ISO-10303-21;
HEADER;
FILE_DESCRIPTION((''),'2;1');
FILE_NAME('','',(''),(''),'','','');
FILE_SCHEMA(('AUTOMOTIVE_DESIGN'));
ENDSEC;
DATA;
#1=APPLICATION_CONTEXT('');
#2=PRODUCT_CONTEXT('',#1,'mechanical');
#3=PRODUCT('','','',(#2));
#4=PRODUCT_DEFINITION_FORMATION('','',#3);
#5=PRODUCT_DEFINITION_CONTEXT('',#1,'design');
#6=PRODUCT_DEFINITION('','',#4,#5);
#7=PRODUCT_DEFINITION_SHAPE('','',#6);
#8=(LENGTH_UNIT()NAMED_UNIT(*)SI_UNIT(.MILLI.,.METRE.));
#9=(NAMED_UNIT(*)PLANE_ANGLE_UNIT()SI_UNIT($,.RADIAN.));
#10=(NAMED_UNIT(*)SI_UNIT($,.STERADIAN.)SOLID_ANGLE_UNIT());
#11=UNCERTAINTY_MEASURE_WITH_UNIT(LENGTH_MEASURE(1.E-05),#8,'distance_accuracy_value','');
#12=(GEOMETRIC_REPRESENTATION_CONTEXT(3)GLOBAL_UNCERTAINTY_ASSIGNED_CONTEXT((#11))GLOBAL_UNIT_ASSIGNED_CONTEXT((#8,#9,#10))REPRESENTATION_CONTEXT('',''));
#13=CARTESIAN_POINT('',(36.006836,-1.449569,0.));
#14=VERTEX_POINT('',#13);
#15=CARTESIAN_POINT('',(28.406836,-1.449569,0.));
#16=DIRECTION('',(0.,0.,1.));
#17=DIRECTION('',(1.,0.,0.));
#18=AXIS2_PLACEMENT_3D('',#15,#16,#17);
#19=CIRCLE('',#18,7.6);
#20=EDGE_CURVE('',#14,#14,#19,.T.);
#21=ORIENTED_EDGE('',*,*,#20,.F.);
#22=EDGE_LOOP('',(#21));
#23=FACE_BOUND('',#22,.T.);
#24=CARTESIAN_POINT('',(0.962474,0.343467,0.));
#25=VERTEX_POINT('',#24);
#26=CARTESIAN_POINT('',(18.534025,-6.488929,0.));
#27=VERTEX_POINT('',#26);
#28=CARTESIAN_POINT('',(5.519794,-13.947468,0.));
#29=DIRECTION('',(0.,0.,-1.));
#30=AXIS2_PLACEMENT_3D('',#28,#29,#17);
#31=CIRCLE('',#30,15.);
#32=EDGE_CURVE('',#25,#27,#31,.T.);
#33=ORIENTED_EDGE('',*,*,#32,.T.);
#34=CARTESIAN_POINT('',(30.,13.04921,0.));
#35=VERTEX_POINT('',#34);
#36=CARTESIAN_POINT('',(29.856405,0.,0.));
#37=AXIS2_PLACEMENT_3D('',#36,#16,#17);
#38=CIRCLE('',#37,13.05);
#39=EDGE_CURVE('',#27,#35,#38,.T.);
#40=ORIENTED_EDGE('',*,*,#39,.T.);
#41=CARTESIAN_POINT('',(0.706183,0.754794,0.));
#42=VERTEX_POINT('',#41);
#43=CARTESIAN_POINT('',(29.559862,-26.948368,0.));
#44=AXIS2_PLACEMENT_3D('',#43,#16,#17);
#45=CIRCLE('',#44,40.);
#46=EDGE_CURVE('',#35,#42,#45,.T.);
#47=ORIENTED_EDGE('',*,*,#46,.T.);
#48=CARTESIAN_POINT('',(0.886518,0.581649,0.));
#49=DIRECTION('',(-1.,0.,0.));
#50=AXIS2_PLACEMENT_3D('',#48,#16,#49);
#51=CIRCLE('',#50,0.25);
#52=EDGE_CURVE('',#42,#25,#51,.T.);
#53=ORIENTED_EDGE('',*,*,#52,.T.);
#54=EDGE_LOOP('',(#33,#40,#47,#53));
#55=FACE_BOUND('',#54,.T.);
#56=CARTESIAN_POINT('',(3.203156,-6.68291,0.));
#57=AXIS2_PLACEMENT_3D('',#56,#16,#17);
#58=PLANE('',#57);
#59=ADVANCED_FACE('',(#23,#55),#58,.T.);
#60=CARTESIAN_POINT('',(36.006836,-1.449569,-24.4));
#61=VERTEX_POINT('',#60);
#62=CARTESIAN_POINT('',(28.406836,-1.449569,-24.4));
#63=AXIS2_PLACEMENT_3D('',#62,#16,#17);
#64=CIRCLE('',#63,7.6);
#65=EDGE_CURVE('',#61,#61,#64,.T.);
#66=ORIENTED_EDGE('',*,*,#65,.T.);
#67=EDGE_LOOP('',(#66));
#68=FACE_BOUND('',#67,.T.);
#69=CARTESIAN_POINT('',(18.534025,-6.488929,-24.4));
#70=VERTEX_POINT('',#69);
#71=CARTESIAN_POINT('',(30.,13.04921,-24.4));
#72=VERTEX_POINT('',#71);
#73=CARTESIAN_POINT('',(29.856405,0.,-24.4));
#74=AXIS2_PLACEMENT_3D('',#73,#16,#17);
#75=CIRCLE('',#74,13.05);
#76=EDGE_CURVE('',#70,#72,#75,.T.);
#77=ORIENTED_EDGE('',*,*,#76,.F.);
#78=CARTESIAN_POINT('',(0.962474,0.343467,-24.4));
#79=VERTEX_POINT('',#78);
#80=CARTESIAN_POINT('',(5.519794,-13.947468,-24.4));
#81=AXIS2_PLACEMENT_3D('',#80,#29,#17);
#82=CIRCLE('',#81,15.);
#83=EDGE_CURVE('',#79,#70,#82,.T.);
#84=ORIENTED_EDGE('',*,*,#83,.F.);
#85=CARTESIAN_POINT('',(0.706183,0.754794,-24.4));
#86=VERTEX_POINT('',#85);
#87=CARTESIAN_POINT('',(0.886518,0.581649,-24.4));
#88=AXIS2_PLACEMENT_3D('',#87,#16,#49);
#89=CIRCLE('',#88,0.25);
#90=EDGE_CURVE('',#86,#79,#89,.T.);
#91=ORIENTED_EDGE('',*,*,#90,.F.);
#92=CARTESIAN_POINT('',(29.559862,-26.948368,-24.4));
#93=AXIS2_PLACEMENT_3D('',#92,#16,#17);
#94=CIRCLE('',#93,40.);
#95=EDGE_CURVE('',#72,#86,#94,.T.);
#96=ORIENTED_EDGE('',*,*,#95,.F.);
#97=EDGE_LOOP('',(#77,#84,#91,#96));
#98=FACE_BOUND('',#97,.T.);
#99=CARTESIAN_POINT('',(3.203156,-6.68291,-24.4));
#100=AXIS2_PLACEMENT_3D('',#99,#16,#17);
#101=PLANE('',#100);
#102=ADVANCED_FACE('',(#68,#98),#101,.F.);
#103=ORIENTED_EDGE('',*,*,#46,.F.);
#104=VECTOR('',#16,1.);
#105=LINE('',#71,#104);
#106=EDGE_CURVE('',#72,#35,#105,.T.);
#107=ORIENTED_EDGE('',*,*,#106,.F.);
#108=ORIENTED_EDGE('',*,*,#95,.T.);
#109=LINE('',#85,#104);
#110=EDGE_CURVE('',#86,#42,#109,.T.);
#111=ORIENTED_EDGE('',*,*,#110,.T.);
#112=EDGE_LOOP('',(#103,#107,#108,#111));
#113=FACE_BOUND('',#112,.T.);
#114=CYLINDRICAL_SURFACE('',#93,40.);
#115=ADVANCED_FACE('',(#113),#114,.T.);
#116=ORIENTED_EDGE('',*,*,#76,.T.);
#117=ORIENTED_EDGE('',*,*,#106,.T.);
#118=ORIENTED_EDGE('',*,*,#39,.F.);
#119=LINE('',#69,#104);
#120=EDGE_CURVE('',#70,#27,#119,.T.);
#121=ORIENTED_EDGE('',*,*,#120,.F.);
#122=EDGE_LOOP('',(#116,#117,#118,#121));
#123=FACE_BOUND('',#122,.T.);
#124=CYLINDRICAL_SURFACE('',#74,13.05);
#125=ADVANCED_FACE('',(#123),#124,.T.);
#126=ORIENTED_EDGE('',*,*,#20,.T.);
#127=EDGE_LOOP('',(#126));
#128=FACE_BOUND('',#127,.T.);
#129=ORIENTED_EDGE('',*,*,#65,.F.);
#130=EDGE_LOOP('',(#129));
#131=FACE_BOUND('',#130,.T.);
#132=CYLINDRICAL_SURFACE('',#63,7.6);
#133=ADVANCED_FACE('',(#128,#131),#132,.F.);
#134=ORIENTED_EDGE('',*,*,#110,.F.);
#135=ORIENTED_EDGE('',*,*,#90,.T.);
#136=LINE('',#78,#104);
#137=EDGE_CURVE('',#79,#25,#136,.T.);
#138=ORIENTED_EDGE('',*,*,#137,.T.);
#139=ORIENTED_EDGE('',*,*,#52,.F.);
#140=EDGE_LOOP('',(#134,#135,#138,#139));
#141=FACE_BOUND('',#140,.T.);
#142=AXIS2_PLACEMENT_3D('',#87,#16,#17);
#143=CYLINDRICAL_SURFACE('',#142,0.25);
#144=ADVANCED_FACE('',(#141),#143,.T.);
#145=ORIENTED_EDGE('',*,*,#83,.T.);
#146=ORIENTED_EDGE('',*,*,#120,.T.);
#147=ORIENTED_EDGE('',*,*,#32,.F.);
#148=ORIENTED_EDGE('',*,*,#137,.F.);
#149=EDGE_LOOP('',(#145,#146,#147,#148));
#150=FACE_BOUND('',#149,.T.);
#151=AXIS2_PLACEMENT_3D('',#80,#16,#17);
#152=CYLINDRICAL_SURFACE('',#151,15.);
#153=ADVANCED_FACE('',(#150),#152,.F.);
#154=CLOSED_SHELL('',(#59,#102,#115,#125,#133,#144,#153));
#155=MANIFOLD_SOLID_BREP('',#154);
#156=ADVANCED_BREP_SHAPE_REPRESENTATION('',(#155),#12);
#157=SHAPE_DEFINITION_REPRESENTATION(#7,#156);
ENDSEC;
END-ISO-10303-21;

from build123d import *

# Parameters (mm, degrees)
BASE_SKETCH_R = 7.6
BASE_DEPTH    = 24.4


with BuildPart() as part:
    # Base Sketch → Base (new body)
    with BuildSketch(Plane.XY):
        with BuildLine():
            ThreePointArc((30, 13.049209956), (14.080181926, 9.934954429), (0.706182938, 0.75479397))
            ThreePointArc((0.706182938, 0.75479397), (0.674336237, 0.449442107), (0.96247377, 0.34346695))
            ThreePointArc((0.96247377, 0.34346695), (10.955807445, 0.032866395), (18.534024513, -6.488929117))
            ThreePointArc((18.534024513, -6.488929117), (41.11144962, -6.605033659), (30, 13.049209956))
        make_face()
        with Locations((28.406836056, -1.449568901)):
            Circle(BASE_SKETCH_R, mode=Mode.SUBTRACT)
    extrude(amount=-BASE_DEPTH)


solid = part.part
